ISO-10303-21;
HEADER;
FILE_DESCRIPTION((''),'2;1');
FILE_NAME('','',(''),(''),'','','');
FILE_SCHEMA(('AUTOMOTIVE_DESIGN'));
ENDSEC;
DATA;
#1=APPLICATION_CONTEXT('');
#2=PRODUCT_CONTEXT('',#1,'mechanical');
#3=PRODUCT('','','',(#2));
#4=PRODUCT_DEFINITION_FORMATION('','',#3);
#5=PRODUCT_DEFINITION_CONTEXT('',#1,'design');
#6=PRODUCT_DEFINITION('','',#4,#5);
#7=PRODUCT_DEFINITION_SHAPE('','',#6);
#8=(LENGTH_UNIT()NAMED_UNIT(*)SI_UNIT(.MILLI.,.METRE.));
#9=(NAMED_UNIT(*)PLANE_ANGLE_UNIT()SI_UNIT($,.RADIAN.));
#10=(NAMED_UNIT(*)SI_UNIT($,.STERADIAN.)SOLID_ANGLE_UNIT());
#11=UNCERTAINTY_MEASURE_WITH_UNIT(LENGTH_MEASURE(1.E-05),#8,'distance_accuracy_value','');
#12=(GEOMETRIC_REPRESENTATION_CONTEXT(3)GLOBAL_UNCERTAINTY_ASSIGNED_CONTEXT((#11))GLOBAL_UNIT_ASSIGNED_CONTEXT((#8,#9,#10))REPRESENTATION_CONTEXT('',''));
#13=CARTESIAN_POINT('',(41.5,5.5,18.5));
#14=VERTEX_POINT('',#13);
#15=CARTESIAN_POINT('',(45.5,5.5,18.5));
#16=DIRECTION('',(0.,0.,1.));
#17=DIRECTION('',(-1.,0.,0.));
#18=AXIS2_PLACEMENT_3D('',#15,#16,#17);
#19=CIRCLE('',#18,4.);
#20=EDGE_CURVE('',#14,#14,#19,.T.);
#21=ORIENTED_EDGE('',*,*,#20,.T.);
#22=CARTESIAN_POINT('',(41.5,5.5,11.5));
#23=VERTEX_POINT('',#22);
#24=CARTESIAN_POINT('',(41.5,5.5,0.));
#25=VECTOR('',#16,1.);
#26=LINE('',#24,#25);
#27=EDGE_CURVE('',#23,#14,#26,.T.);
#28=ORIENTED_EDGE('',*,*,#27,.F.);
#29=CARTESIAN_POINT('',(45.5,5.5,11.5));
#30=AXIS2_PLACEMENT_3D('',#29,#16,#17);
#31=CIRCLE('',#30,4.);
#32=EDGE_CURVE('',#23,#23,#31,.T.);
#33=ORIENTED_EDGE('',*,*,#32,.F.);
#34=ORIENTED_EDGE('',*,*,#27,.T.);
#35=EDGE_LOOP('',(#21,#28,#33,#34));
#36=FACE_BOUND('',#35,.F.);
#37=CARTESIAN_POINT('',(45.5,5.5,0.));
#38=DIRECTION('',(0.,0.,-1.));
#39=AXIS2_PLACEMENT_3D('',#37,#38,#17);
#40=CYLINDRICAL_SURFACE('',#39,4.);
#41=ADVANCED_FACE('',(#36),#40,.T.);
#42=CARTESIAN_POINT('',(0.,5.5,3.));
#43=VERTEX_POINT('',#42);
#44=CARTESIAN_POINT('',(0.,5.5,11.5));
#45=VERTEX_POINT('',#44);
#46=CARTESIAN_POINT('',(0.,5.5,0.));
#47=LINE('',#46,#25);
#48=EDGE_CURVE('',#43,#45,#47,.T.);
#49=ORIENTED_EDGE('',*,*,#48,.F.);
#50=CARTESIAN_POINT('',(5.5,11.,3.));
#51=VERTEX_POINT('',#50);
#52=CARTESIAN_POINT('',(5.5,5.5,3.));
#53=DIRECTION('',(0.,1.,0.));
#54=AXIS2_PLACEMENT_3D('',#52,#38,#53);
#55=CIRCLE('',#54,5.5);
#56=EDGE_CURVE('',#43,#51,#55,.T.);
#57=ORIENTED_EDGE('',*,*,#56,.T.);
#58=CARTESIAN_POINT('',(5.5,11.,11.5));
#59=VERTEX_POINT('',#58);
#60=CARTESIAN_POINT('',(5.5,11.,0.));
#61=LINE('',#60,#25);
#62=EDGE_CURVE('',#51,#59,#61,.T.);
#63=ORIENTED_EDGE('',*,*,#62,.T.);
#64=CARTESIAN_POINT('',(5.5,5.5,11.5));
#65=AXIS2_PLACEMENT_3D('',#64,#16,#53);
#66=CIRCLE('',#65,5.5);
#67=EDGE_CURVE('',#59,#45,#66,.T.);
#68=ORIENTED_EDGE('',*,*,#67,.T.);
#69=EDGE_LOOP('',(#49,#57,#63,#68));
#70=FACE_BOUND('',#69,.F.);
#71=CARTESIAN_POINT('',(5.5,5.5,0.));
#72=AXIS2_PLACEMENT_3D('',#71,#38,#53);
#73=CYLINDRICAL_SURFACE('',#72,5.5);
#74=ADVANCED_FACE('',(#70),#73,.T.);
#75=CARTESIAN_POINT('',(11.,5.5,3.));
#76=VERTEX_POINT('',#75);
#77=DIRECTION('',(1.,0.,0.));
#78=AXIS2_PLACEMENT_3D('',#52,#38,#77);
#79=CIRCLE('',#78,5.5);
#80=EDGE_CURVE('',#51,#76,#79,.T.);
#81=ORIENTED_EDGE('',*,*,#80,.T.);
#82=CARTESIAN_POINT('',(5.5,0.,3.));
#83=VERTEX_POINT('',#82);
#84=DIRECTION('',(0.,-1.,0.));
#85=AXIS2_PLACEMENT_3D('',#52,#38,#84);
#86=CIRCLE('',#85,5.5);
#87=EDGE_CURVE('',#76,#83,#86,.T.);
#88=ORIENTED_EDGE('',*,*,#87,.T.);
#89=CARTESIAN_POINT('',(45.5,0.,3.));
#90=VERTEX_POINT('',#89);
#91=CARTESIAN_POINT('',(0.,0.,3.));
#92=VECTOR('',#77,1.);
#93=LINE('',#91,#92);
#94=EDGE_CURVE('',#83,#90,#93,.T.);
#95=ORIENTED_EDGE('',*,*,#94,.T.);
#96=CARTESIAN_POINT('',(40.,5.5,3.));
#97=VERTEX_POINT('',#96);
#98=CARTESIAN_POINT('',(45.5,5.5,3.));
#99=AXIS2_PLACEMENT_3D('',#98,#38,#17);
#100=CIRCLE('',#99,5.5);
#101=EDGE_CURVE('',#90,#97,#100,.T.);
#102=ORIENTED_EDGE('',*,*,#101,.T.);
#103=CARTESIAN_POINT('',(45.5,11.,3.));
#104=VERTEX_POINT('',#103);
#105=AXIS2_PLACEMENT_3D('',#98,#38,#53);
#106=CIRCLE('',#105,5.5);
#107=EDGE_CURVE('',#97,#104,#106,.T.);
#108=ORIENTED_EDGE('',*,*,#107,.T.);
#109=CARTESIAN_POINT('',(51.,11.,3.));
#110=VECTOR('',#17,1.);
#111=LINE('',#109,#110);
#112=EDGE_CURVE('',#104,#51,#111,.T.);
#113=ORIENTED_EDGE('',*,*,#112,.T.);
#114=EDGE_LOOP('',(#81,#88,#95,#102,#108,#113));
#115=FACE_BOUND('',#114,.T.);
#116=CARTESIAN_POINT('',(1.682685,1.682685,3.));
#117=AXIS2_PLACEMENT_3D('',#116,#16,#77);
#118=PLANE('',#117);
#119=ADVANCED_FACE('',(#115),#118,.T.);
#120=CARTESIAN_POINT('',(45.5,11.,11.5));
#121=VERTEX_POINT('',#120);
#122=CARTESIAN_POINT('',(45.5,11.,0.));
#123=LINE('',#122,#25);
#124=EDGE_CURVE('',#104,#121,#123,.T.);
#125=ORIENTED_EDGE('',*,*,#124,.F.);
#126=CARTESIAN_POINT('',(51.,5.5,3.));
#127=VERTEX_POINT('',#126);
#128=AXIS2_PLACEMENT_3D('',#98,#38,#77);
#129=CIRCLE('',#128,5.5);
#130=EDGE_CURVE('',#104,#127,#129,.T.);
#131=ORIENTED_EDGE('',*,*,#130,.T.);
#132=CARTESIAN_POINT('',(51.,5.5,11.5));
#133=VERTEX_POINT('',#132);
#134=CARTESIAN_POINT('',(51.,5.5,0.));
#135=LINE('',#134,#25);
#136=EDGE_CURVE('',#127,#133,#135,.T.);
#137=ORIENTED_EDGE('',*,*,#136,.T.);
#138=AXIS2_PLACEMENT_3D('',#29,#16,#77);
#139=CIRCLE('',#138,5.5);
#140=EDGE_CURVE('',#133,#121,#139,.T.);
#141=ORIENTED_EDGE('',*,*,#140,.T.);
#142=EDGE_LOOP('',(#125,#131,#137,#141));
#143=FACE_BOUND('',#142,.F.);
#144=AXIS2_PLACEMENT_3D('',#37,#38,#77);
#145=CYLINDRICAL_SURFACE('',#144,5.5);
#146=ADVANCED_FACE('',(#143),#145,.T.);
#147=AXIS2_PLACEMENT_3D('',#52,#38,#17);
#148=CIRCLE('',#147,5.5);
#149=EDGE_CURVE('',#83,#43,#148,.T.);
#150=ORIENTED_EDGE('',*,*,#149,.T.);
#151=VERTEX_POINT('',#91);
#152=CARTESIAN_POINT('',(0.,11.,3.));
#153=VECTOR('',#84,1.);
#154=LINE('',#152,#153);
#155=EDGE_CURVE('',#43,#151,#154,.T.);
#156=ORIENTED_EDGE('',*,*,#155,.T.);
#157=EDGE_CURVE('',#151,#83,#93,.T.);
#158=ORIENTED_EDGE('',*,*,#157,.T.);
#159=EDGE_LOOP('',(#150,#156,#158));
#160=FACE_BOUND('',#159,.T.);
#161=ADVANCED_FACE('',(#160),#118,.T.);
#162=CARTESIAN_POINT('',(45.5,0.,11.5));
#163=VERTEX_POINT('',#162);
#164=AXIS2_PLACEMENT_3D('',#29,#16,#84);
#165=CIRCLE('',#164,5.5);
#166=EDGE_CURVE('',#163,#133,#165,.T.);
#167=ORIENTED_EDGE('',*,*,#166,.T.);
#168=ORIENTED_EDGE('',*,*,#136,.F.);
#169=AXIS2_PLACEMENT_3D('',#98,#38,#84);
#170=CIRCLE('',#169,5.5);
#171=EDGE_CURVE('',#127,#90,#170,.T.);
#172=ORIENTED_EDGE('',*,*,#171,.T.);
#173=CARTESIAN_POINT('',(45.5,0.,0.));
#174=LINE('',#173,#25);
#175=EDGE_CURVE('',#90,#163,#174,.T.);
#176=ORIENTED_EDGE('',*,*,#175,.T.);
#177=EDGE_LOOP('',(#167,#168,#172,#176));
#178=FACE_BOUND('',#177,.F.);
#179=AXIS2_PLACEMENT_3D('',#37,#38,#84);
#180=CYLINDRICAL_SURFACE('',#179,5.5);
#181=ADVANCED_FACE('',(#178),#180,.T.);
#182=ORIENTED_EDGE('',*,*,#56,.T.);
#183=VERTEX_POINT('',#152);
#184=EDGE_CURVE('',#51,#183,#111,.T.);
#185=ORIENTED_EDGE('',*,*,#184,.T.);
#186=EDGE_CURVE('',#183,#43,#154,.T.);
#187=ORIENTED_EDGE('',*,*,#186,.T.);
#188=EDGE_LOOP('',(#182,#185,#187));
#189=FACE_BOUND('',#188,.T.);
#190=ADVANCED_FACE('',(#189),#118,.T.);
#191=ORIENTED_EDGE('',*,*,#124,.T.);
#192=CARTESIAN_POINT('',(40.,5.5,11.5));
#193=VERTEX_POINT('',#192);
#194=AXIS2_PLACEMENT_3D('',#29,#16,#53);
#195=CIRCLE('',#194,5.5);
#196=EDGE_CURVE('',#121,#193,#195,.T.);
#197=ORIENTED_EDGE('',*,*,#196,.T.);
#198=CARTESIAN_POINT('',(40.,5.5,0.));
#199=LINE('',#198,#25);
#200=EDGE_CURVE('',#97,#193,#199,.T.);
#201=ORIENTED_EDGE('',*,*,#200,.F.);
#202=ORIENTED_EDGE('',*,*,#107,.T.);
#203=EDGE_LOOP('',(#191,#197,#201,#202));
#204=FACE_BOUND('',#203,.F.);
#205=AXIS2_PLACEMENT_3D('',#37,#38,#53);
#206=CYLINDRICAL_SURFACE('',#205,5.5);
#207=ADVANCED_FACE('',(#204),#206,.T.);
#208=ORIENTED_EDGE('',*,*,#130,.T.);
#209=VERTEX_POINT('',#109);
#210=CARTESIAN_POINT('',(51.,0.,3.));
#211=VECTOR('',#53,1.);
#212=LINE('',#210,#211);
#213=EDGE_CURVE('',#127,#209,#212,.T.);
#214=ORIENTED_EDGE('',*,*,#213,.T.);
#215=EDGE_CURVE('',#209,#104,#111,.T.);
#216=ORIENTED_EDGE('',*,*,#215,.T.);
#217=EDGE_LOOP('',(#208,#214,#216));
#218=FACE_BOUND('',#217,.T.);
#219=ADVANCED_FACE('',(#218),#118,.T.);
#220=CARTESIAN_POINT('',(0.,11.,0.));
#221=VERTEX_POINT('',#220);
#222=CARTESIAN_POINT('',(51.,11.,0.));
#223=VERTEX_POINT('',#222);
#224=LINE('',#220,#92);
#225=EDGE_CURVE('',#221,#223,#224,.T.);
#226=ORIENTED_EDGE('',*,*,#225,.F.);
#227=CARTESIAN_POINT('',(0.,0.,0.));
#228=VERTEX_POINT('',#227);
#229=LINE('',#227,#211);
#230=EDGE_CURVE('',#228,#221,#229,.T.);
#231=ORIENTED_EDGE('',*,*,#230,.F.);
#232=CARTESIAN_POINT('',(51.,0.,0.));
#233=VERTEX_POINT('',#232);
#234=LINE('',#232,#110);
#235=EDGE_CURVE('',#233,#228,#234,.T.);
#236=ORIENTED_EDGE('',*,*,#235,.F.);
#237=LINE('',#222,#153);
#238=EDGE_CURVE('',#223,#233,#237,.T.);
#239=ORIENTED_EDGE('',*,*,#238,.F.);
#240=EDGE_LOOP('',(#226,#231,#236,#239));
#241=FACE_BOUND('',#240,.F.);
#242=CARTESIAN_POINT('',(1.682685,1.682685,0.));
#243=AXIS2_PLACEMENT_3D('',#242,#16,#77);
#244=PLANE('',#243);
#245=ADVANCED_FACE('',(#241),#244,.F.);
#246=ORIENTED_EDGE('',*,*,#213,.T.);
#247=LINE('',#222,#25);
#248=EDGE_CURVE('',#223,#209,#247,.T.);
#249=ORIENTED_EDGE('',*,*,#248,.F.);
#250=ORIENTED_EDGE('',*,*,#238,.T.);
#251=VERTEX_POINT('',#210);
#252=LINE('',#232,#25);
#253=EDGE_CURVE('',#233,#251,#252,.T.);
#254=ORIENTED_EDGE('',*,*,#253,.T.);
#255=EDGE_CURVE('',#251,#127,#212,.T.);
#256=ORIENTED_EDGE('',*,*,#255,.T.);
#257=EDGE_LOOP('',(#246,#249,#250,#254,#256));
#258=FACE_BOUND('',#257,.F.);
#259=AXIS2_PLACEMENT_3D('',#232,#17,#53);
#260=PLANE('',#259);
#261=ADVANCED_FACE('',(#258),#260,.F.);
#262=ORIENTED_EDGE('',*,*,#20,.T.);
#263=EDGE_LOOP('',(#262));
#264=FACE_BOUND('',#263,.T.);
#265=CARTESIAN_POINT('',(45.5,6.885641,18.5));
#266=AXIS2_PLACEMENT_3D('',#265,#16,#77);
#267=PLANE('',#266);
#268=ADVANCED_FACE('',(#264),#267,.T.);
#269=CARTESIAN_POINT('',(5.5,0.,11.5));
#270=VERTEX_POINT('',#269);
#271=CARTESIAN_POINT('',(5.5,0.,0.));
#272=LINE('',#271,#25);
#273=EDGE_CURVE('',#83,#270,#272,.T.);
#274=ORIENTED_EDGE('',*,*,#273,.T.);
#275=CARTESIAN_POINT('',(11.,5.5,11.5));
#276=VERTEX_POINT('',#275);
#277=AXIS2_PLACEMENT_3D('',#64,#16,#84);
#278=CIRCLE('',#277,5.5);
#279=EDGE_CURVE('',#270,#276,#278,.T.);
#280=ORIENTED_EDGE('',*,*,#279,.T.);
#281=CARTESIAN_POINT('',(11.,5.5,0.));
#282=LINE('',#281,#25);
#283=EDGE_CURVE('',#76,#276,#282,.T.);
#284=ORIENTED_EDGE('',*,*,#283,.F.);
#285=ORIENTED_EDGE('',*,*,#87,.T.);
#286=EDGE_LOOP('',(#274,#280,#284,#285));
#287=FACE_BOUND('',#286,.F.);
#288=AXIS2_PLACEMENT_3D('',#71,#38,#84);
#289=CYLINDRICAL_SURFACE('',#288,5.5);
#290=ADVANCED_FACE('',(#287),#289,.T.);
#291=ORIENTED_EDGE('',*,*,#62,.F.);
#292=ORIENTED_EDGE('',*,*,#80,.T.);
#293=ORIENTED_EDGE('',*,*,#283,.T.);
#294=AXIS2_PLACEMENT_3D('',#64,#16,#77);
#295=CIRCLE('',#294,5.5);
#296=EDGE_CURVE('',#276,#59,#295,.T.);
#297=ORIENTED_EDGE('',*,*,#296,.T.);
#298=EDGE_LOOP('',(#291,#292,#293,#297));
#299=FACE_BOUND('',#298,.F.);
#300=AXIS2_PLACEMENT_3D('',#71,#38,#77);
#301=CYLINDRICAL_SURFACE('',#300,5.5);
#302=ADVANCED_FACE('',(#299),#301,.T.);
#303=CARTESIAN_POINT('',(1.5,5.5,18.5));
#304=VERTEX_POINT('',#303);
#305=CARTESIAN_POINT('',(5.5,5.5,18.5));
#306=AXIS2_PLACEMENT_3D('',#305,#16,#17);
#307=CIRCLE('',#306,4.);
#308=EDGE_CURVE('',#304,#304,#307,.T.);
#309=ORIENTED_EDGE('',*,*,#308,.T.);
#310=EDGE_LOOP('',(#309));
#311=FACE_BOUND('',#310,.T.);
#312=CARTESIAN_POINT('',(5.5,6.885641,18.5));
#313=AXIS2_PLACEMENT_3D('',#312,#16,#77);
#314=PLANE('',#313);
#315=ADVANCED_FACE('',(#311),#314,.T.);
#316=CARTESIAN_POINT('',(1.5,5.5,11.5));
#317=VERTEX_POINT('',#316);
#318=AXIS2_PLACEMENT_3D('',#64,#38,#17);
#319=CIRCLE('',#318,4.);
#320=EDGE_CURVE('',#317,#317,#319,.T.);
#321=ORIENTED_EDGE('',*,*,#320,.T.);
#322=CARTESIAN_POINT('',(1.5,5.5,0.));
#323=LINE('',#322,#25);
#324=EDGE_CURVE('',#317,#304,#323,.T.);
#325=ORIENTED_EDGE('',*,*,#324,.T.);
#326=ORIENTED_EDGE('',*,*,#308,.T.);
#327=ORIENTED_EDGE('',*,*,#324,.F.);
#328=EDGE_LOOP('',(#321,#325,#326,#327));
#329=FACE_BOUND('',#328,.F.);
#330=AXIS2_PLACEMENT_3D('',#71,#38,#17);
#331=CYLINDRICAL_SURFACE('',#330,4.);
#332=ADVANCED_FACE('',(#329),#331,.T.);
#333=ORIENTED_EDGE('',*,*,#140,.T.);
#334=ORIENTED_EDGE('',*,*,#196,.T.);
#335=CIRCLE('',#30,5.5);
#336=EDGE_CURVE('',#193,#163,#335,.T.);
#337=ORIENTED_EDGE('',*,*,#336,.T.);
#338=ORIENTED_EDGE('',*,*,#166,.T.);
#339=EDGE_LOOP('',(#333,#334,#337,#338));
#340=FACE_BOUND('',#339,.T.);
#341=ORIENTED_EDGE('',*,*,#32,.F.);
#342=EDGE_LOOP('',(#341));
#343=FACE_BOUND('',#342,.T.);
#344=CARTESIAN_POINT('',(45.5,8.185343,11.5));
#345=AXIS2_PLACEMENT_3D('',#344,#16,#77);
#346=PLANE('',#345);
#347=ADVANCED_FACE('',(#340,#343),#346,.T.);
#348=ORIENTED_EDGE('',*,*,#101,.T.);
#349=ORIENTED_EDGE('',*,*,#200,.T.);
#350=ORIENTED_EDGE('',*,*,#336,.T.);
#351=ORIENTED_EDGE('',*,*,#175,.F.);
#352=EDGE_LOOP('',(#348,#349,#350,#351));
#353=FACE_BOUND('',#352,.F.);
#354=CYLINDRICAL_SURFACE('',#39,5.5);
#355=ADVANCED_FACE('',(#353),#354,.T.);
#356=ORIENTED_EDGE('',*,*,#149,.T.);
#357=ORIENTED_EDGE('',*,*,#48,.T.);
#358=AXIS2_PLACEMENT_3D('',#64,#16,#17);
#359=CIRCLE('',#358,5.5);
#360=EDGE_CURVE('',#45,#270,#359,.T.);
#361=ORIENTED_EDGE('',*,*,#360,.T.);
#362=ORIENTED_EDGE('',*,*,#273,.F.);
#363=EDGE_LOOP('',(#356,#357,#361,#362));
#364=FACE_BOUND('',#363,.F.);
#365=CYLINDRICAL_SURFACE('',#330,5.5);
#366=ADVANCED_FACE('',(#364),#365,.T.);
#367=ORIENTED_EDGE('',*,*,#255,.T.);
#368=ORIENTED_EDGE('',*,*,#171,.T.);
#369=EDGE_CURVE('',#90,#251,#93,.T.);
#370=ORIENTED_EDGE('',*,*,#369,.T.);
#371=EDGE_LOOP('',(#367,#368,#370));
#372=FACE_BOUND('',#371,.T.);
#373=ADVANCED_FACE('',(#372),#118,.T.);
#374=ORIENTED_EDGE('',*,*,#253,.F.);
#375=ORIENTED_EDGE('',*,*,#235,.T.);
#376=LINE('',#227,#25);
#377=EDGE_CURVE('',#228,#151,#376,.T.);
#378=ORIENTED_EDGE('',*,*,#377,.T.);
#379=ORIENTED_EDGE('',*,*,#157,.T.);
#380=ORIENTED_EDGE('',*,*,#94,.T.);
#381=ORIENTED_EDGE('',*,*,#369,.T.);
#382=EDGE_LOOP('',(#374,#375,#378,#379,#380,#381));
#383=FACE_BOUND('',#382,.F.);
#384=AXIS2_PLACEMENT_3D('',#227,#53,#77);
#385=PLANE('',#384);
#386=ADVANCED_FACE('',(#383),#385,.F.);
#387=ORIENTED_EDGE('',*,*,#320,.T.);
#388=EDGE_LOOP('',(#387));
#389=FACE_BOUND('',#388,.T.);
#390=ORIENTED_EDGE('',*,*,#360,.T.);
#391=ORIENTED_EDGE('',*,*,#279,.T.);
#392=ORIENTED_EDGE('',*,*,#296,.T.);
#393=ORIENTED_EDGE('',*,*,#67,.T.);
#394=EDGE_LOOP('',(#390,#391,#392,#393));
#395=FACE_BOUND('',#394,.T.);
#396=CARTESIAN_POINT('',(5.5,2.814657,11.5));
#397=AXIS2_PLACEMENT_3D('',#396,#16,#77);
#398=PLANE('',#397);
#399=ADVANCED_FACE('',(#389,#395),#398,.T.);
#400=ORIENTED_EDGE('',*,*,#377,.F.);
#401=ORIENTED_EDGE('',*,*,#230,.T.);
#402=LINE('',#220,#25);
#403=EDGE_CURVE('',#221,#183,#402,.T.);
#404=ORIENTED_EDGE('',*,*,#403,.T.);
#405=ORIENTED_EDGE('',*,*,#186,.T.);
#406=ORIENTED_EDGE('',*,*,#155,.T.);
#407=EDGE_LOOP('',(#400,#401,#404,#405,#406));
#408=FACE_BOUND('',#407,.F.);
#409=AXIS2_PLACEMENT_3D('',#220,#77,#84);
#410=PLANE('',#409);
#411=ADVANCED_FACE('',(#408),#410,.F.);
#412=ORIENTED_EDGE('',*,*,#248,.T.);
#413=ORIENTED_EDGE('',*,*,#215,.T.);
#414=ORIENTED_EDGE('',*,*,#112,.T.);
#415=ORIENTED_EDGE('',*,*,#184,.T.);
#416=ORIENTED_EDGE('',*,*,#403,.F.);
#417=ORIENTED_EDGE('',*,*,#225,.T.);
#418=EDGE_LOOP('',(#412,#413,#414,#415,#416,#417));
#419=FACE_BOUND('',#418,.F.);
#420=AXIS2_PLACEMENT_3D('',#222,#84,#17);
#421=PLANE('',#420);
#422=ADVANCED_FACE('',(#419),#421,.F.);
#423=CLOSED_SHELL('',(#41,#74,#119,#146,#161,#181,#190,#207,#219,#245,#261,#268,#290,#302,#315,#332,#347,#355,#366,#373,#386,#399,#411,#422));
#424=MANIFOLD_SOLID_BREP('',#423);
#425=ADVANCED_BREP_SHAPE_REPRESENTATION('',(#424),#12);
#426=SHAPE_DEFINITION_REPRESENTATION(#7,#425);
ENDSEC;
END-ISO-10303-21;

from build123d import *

# Parameters (mm, degrees)
F1_DEPTH = 3
F2_DEPTH = 11.5
F3_DEPTH = 18.5


with BuildPart() as f1:
    # F0 (on Top) → F1 (new body)
    with BuildSketch(Plane.XY):
        with BuildLine():
            Line((0, 5.5), (0, 0))
            Line((0, 0), (5.5, 0))
            ThreePointArc((5.5, 0), (1.6109127035, 1.6109127035), (0, 5.5))
        make_face()
        with BuildLine():
            ThreePointArc((11, 5.5), (9.3890872965, 1.6109127035), (5.5, 0))
            Line((5.5, 0), (45.5, 0))
            ThreePointArc((45.5, 0), (41.6109127035, 1.6109127035), (40, 5.5))
            Line((40, 5.5), (11, 5.5))
        make_face()
        with BuildLine():
            ThreePointArc((0, 5.5), (1.6109127035, 1.6109127035), (5.5, 0))
            ThreePointArc((5.5, 0), (9.3890872965, 1.6109127035), (11, 5.5))
            Line((11, 5.5), (9.5, 5.5))
            ThreePointArc((9.5, 5.5), (5.5, 1.5), (1.5, 5.5))
            Line((1.5, 5.5), (0, 5.5))
        make_face()
        with BuildLine():
            ThreePointArc((5.5, 11), (1.6109127035, 9.3890872965), (0, 5.5))
            Line((0, 5.5), (1.5, 5.5))
            ThreePointArc((1.5, 5.5), (5.5, 9.5), (9.5, 5.5))
            Line((9.5, 5.5), (11, 5.5))
            ThreePointArc((11, 5.5), (9.3890872965, 9.3890872965), (5.5, 11))
        make_face()
        with BuildLine():
            Line((0, 11), (0, 5.5))
            ThreePointArc((0, 5.5), (1.6109127035, 9.3890872965), (5.5, 11))
            Line((5.5, 11), (0, 11))
        make_face()
        with BuildLine():
            ThreePointArc((51, 5.5), (49.3890872965, 1.6109127035), (45.5, 0))
            Line((45.5, 0), (51, 0))
            Line((51, 0), (51, 5.5))
        make_face()
        with BuildLine():
            ThreePointArc((40, 5.5), (41.6109127035, 1.6109127035), (45.5, 0))
            ThreePointArc((45.5, 0), (49.3890872965, 1.6109127035), (51, 5.5))
            Line((51, 5.5), (49.5, 5.5))
            ThreePointArc((49.5, 5.5), (45.5, 1.5), (41.5, 5.5))
            Line((41.5, 5.5), (40, 5.5))
        make_face()
        with BuildLine():
            ThreePointArc((5.5, 11), (9.3890872965, 9.3890872965), (11, 5.5))
            Line((11, 5.5), (40, 5.5))
            ThreePointArc((40, 5.5), (41.6109127035, 9.3890872965), (45.5, 11))
            Line((45.5, 11), (5.5, 11))
        make_face()
        with BuildLine():
            ThreePointArc((45.5, 11), (41.6109127035, 9.3890872965), (40, 5.5))
            Line((40, 5.5), (41.5, 5.5))
            ThreePointArc((41.5, 5.5), (45.5, 9.5), (49.5, 5.5))
            Line((49.5, 5.5), (51, 5.5))
            ThreePointArc((51, 5.5), (49.3890872965, 9.3890872965), (45.5, 11))
        make_face()
        with BuildLine():
            ThreePointArc((45.5, 11), (49.3890872965, 9.3890872965), (51, 5.5))
            Line((51, 5.5), (51, 11))
            Line((51, 11), (45.5, 11))
        make_face()
    extrude(amount=F1_DEPTH)

    # F0 (on Top) → F2 (join)
    with BuildSketch(Plane.XY):
        with BuildLine():
            ThreePointArc((0, 5.5), (1.6109127035, 1.6109127035), (5.5, 0))
            ThreePointArc((5.5, 0), (9.3890872965, 1.6109127035), (11, 5.5))
            Line((11, 5.5), (9.5, 5.5))
            ThreePointArc((9.5, 5.5), (5.5, 1.5), (1.5, 5.5))
            Line((1.5, 5.5), (0, 5.5))
        make_face()
        with BuildLine():
            ThreePointArc((5.5, 11), (1.6109127035, 9.3890872965), (0, 5.5))
            Line((0, 5.5), (1.5, 5.5))
            ThreePointArc((1.5, 5.5), (5.5, 9.5), (9.5, 5.5))
            Line((9.5, 5.5), (11, 5.5))
            ThreePointArc((11, 5.5), (9.3890872965, 9.3890872965), (5.5, 11))
        make_face()
        with BuildLine():
            ThreePointArc((45.5, 11), (41.6109127035, 9.3890872965), (40, 5.5))
            Line((40, 5.5), (41.5, 5.5))
            ThreePointArc((41.5, 5.5), (45.5, 9.5), (49.5, 5.5))
            Line((49.5, 5.5), (51, 5.5))
            ThreePointArc((51, 5.5), (49.3890872965, 9.3890872965), (45.5, 11))
        make_face()
        with BuildLine():
            ThreePointArc((40, 5.5), (41.6109127035, 1.6109127035), (45.5, 0))
            ThreePointArc((45.5, 0), (49.3890872965, 1.6109127035), (51, 5.5))
            Line((51, 5.5), (49.5, 5.5))
            ThreePointArc((49.5, 5.5), (45.5, 1.5), (41.5, 5.5))
            Line((41.5, 5.5), (40, 5.5))
        make_face()
    extrude(amount=F2_DEPTH)

    # F0 (on Top) → F3 (join)
    with BuildSketch(Plane.XY):
        with BuildLine():
            ThreePointArc((49.5, 5.5), (45.5, 9.5), (41.5, 5.5))
            Line((41.5, 5.5), (49.5, 5.5))
        make_face()
        with BuildLine():
            Line((49.5, 5.5), (41.5, 5.5))
            ThreePointArc((41.5, 5.5), (45.5, 1.5), (49.5, 5.5))
        make_face()
        with BuildLine():
            ThreePointArc((9.5, 5.5), (5.5, 9.5), (1.5, 5.5))
            Line((1.5, 5.5), (9.5, 5.5))
        make_face()
        with BuildLine():
            Line((9.5, 5.5), (1.5, 5.5))
            ThreePointArc((1.5, 5.5), (5.5, 1.5), (9.5, 5.5))
        make_face()
    extrude(amount=F3_DEPTH)


solid = f1.part
